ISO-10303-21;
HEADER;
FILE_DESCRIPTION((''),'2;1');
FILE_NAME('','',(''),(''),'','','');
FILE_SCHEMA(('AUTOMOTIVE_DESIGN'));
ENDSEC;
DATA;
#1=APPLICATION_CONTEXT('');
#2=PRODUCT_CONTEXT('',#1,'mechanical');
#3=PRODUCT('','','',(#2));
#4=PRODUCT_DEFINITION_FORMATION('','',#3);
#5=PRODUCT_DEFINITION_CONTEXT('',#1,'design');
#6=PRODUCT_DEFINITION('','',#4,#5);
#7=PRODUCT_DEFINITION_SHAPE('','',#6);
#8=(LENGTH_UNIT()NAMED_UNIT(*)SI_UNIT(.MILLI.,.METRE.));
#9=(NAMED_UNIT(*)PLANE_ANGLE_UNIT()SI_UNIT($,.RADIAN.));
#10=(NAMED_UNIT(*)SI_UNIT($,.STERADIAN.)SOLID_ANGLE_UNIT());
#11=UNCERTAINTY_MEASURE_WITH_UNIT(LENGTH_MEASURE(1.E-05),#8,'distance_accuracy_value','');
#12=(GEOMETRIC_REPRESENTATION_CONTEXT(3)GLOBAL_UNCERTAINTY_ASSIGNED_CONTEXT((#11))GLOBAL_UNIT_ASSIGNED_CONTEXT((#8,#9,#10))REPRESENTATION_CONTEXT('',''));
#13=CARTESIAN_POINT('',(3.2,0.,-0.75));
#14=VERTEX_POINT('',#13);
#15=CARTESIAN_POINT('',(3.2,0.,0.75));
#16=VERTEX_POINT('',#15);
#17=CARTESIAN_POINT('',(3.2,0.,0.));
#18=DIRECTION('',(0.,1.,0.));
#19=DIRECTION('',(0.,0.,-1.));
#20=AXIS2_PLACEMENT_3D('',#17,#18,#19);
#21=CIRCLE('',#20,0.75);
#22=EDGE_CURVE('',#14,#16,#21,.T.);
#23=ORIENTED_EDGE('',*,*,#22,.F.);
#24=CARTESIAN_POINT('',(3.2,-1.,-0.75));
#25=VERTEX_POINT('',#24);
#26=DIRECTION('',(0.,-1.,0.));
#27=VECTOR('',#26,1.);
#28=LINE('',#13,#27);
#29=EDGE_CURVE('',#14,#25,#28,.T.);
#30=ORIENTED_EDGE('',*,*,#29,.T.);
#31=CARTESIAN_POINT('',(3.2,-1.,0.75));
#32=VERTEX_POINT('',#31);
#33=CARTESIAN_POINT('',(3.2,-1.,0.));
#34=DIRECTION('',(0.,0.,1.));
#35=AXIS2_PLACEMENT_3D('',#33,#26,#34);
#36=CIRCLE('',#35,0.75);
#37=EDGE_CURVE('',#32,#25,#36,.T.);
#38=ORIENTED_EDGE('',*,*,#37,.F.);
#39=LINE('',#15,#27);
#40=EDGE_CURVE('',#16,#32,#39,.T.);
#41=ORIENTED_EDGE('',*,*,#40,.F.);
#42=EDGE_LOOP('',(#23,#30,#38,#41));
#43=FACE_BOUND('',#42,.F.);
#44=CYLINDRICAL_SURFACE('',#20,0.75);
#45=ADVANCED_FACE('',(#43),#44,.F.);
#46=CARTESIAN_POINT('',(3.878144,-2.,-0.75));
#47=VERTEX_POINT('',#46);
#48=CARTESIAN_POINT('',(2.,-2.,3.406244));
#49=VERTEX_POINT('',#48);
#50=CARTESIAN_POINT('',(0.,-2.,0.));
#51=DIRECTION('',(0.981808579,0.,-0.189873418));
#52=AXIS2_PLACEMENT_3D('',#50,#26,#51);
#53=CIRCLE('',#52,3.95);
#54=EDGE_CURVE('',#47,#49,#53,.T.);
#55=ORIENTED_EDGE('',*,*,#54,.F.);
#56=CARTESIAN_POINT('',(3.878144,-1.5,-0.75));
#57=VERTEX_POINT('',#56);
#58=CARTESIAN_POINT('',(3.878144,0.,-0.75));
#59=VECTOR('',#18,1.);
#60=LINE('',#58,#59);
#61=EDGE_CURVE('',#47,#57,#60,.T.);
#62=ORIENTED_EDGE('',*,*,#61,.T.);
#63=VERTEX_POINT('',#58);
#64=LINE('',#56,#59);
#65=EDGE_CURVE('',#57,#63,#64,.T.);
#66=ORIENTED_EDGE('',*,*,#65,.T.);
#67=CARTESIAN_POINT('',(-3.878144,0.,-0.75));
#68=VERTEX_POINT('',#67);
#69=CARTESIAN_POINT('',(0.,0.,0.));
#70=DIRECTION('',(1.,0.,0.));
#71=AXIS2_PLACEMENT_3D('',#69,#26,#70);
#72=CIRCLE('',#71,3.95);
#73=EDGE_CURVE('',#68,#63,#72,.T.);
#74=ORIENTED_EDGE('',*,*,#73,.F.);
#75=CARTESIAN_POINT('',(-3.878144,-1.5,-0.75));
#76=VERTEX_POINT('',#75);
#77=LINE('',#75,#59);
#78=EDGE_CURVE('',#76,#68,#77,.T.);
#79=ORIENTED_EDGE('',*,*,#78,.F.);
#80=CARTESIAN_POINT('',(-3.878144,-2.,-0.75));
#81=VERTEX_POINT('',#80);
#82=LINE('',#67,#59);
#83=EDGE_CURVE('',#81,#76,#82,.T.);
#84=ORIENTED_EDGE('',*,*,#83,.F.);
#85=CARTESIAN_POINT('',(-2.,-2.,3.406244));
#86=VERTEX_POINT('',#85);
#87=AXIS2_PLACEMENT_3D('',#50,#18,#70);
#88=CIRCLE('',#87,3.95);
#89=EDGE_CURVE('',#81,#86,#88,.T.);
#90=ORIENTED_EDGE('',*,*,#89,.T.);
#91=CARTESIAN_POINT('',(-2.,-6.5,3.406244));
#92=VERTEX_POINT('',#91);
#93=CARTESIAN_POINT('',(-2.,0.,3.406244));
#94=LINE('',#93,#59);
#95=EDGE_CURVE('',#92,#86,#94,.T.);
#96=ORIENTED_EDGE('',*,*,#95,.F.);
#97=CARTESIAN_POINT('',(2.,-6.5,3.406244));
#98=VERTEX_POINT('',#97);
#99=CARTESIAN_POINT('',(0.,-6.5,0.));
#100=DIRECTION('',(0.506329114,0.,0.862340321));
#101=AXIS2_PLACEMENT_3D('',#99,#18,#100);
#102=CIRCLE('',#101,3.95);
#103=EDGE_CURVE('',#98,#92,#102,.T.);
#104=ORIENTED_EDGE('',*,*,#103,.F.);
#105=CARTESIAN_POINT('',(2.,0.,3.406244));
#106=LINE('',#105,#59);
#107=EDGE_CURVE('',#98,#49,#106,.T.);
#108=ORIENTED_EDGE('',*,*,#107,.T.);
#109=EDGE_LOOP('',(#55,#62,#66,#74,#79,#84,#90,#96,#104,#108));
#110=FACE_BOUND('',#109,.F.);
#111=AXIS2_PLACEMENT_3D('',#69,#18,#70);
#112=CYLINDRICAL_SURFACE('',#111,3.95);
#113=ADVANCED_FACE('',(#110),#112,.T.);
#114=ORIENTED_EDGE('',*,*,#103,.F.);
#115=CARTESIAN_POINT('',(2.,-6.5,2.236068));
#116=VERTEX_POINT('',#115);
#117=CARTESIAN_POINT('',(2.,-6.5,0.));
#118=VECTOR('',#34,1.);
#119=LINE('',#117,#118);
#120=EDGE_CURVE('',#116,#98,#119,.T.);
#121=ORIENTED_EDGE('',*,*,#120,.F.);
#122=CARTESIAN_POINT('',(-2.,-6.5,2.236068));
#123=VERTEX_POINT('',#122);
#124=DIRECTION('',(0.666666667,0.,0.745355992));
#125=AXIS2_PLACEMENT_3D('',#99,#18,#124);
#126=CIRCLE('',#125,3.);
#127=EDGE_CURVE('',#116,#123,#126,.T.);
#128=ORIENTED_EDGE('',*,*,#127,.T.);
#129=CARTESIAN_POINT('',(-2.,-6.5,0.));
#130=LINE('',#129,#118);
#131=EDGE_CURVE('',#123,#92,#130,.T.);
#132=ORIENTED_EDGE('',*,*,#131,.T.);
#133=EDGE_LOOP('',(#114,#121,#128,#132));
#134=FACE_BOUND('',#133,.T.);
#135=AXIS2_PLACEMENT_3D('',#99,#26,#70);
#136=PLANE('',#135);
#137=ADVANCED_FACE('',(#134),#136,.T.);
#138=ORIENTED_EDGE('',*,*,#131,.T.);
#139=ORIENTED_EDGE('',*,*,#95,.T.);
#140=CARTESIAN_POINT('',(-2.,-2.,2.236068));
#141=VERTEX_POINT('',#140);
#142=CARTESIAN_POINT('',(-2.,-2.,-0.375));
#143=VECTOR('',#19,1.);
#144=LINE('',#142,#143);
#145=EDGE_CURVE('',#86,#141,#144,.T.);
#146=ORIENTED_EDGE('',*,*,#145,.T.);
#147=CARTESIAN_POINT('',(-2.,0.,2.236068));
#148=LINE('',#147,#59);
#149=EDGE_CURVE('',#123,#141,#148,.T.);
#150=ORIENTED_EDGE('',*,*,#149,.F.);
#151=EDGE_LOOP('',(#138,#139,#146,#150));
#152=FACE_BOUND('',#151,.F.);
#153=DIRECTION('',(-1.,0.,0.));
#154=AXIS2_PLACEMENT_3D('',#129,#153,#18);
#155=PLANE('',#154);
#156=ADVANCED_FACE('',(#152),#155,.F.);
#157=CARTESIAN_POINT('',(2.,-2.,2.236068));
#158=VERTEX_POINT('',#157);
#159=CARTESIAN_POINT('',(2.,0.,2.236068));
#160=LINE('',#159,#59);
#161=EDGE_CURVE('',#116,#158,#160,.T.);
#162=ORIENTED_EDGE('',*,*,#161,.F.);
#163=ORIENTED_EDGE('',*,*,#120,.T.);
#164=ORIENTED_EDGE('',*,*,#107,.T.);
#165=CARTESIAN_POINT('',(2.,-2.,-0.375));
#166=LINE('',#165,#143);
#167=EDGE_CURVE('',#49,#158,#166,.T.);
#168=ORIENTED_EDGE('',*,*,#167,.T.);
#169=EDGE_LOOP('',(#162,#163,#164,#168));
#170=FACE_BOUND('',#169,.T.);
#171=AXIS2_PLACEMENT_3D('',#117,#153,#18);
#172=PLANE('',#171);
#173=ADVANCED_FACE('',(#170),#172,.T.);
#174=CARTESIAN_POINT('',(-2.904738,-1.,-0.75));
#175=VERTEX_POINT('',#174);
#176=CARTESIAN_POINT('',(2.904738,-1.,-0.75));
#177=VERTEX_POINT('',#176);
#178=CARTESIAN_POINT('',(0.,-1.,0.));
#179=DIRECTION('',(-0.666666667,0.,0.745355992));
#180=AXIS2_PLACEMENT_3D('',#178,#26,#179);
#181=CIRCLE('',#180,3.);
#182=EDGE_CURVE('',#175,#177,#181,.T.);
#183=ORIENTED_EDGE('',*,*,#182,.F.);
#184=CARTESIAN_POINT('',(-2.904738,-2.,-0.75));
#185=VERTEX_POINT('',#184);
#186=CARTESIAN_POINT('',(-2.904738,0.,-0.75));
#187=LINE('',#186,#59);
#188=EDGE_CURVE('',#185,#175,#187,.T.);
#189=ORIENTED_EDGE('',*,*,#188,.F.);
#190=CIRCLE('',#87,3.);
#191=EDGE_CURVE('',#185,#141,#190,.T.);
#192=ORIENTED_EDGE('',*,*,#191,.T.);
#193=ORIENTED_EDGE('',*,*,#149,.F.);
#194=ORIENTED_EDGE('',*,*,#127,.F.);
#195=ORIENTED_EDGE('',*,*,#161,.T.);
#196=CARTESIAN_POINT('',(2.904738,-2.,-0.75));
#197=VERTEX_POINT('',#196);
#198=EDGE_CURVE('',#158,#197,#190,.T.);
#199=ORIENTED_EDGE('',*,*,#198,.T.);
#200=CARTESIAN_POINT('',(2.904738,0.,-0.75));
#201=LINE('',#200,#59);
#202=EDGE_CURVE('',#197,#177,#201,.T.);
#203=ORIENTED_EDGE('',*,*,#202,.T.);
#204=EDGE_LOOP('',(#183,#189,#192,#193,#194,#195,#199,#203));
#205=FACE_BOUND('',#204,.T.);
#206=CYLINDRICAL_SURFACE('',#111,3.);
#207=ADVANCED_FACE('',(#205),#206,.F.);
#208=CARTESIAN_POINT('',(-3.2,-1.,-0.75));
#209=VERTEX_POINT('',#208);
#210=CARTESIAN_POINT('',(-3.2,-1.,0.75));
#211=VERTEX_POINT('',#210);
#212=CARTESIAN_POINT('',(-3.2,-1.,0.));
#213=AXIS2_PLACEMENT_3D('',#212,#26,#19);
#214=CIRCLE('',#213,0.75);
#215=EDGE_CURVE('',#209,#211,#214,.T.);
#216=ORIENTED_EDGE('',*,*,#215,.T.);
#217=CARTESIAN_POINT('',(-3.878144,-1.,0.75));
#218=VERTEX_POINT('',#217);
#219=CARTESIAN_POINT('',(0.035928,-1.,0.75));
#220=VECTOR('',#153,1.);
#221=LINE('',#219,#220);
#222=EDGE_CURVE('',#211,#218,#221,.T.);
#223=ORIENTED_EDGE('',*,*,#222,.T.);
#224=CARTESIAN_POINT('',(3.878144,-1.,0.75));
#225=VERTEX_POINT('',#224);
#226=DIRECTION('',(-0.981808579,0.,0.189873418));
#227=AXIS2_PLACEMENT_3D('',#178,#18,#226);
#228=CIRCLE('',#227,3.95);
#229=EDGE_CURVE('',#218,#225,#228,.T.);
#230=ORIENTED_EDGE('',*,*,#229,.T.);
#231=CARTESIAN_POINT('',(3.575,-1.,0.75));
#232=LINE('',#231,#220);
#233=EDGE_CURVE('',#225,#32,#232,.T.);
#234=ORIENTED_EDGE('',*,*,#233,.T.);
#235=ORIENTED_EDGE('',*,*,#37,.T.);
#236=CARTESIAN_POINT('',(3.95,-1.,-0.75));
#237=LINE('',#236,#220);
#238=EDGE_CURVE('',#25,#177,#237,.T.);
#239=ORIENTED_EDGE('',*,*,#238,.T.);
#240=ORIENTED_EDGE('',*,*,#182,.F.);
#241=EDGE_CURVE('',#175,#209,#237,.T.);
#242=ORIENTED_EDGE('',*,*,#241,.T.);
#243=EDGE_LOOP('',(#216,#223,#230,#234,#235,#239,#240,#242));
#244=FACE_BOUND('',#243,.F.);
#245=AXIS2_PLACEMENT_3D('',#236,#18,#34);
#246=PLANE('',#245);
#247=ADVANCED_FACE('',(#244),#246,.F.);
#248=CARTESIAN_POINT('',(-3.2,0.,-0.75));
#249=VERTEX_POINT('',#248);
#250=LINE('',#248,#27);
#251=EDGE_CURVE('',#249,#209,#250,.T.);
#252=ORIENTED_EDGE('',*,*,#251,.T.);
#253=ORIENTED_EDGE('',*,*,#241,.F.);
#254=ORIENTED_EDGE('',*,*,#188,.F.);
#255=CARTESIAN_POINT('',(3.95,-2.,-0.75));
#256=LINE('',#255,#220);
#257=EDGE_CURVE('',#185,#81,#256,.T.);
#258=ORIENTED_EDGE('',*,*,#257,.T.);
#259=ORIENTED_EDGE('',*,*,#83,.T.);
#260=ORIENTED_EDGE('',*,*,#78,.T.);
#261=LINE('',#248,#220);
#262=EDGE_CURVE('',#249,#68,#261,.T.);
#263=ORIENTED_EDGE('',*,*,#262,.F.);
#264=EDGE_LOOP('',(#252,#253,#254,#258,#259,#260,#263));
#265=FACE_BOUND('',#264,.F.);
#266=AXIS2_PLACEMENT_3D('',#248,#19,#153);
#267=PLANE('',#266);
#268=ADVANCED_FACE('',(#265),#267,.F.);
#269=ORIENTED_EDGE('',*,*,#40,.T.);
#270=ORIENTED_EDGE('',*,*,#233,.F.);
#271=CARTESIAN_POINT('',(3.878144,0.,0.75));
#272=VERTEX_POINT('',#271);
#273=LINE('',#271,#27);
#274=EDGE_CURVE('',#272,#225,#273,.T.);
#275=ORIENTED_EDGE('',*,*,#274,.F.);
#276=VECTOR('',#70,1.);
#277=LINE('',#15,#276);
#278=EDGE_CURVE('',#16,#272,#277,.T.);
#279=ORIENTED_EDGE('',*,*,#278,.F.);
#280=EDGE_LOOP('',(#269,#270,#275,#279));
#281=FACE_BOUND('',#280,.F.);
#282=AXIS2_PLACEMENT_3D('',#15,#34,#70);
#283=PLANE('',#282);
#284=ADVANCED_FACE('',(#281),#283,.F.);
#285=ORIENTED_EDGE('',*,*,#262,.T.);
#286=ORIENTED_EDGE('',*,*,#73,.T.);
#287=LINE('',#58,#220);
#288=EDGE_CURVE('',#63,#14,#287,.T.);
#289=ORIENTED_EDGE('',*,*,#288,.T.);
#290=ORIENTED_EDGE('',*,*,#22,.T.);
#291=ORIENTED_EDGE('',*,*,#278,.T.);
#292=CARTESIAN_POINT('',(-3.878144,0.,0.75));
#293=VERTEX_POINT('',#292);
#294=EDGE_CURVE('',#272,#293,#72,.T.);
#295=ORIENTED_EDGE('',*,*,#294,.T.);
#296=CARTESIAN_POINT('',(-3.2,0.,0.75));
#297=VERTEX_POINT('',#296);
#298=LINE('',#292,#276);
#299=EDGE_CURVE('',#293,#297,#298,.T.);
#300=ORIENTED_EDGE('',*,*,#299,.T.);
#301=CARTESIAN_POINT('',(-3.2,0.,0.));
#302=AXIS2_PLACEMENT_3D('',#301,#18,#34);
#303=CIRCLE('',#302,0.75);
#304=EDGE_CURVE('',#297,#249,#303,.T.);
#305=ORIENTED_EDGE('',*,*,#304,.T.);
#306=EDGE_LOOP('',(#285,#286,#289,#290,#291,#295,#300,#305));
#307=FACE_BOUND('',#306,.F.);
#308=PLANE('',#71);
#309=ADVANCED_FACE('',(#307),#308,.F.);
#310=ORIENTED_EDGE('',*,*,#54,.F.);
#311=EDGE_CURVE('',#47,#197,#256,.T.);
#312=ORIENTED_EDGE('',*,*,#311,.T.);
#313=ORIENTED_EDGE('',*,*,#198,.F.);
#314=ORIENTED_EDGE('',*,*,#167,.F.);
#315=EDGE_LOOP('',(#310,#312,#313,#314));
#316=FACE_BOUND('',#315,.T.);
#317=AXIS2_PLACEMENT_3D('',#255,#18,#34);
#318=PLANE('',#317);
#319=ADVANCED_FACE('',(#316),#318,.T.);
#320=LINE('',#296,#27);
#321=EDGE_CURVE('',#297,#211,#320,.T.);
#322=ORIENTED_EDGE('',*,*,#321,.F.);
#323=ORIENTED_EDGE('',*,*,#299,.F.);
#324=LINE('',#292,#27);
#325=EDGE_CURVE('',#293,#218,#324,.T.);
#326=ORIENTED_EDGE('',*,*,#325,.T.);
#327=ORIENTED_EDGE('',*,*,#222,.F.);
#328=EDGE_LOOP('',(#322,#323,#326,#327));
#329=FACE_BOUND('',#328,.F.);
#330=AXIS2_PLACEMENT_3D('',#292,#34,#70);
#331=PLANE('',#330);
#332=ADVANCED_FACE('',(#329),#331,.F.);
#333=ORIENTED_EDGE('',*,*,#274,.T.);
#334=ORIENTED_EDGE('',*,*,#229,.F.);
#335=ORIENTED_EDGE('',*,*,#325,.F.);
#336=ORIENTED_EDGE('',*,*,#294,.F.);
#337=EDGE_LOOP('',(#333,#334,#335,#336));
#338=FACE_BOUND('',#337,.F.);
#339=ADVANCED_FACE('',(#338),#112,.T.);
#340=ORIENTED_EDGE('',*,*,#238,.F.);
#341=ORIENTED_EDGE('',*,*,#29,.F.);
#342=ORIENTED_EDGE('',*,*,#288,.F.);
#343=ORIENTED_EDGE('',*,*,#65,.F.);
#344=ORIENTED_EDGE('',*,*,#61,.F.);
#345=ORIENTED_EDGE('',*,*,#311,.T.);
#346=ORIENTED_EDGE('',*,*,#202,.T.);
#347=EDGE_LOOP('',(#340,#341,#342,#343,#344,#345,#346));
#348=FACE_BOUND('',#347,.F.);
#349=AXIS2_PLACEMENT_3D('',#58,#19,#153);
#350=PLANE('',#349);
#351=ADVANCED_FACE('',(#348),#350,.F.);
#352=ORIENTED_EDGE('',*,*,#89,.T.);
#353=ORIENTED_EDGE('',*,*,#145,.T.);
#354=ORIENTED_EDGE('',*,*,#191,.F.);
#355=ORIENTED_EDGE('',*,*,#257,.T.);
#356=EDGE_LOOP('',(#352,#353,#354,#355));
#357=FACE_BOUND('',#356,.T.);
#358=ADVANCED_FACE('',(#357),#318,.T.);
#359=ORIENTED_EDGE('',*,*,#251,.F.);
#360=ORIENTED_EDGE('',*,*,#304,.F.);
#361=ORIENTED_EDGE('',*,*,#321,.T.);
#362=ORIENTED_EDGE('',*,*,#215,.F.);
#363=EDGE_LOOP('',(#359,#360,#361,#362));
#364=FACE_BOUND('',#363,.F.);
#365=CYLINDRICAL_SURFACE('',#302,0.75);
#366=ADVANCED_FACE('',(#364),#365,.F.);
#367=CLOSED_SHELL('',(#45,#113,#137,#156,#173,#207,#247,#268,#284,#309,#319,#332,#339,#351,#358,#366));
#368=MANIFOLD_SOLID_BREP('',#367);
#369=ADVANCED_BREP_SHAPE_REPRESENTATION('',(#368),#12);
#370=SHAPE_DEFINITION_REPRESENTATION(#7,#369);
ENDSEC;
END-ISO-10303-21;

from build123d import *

# Parameters (mm, degrees)
F4_R      = 3.95
F4_R_2    = 3
F5_DEPTH  = 6.5
F6_DEPTH  = 1
F7_W      = 4
F7_H      = 5.5
F8_DEPTH  = 3.951
F10_DEPTH = 1.5
F12_W     = 1
F12_H     = 4.7
F13_DEPTH = 7.901


with BuildPart() as f5:
    # F4 (on Front) → F5 (new body)
    with BuildSketch(Plane.XZ):
        Circle(F4_R)
        Circle(F4_R_2, mode=Mode.SUBTRACT)
    extrude(amount=F5_DEPTH)

    # F4 (on Front) → F6 (join)
    with BuildSketch(Plane.XZ):
        Circle(F4_R_2)
    extrude(amount=F6_DEPTH)

    # F7 (on Top) → F8 (cut, through all)
    with BuildSketch(Plane.XY):
        with Locations((0, -3.75)):
            Rectangle(F7_W, F7_H)
    extrude(amount=F8_DEPTH, mode=Mode.SUBTRACT)

    # F9 (on face) → F10 (cut)
    with BuildSketch(Plane(origin=(0, 0, 0), x_dir=(-1, 0, 0), z_dir=(0, 1, 0))):
        with BuildLine():
            Line((-3.2, 0.75), (-3.8781438859, 0.75))
            ThreePointArc((-3.8781438859, 0.75), (-3.95, 0), (-3.8781438859, -0.75))
            Line((-3.8781438859, -0.75), (-3.2, -0.75))
            ThreePointArc((-3.2, -0.75), (-2.45, 0), (-3.2, 0.75))
        make_face()
        with BuildLine():
            ThreePointArc((3.95, 0), (3.9319949357, 0.3767171688), (3.8781438859, 0.75))
            Line((3.8781438859, 0.75), (3.2, 0.75))
            ThreePointArc((3.2, 0.75), (2.45, 0), (3.2, -0.75))
            Line((3.2, -0.75), (3.8781438859, -0.75))
            ThreePointArc((3.8781438859, -0.75), (3.9319949357, -0.3767171688), (3.95, 0))
        make_face()
    extrude(amount=-F10_DEPTH, mode=Mode.SUBTRACT)

    # F12 (on offset) → F13 (cut, through all)
    with BuildSketch(Plane.YZ.offset(3.95)):
        with Locations((-1.5, 1.6)):
            Rectangle(F12_W, F12_H)
    extrude(amount=-F13_DEPTH, mode=Mode.SUBTRACT)


solid = f5.part
